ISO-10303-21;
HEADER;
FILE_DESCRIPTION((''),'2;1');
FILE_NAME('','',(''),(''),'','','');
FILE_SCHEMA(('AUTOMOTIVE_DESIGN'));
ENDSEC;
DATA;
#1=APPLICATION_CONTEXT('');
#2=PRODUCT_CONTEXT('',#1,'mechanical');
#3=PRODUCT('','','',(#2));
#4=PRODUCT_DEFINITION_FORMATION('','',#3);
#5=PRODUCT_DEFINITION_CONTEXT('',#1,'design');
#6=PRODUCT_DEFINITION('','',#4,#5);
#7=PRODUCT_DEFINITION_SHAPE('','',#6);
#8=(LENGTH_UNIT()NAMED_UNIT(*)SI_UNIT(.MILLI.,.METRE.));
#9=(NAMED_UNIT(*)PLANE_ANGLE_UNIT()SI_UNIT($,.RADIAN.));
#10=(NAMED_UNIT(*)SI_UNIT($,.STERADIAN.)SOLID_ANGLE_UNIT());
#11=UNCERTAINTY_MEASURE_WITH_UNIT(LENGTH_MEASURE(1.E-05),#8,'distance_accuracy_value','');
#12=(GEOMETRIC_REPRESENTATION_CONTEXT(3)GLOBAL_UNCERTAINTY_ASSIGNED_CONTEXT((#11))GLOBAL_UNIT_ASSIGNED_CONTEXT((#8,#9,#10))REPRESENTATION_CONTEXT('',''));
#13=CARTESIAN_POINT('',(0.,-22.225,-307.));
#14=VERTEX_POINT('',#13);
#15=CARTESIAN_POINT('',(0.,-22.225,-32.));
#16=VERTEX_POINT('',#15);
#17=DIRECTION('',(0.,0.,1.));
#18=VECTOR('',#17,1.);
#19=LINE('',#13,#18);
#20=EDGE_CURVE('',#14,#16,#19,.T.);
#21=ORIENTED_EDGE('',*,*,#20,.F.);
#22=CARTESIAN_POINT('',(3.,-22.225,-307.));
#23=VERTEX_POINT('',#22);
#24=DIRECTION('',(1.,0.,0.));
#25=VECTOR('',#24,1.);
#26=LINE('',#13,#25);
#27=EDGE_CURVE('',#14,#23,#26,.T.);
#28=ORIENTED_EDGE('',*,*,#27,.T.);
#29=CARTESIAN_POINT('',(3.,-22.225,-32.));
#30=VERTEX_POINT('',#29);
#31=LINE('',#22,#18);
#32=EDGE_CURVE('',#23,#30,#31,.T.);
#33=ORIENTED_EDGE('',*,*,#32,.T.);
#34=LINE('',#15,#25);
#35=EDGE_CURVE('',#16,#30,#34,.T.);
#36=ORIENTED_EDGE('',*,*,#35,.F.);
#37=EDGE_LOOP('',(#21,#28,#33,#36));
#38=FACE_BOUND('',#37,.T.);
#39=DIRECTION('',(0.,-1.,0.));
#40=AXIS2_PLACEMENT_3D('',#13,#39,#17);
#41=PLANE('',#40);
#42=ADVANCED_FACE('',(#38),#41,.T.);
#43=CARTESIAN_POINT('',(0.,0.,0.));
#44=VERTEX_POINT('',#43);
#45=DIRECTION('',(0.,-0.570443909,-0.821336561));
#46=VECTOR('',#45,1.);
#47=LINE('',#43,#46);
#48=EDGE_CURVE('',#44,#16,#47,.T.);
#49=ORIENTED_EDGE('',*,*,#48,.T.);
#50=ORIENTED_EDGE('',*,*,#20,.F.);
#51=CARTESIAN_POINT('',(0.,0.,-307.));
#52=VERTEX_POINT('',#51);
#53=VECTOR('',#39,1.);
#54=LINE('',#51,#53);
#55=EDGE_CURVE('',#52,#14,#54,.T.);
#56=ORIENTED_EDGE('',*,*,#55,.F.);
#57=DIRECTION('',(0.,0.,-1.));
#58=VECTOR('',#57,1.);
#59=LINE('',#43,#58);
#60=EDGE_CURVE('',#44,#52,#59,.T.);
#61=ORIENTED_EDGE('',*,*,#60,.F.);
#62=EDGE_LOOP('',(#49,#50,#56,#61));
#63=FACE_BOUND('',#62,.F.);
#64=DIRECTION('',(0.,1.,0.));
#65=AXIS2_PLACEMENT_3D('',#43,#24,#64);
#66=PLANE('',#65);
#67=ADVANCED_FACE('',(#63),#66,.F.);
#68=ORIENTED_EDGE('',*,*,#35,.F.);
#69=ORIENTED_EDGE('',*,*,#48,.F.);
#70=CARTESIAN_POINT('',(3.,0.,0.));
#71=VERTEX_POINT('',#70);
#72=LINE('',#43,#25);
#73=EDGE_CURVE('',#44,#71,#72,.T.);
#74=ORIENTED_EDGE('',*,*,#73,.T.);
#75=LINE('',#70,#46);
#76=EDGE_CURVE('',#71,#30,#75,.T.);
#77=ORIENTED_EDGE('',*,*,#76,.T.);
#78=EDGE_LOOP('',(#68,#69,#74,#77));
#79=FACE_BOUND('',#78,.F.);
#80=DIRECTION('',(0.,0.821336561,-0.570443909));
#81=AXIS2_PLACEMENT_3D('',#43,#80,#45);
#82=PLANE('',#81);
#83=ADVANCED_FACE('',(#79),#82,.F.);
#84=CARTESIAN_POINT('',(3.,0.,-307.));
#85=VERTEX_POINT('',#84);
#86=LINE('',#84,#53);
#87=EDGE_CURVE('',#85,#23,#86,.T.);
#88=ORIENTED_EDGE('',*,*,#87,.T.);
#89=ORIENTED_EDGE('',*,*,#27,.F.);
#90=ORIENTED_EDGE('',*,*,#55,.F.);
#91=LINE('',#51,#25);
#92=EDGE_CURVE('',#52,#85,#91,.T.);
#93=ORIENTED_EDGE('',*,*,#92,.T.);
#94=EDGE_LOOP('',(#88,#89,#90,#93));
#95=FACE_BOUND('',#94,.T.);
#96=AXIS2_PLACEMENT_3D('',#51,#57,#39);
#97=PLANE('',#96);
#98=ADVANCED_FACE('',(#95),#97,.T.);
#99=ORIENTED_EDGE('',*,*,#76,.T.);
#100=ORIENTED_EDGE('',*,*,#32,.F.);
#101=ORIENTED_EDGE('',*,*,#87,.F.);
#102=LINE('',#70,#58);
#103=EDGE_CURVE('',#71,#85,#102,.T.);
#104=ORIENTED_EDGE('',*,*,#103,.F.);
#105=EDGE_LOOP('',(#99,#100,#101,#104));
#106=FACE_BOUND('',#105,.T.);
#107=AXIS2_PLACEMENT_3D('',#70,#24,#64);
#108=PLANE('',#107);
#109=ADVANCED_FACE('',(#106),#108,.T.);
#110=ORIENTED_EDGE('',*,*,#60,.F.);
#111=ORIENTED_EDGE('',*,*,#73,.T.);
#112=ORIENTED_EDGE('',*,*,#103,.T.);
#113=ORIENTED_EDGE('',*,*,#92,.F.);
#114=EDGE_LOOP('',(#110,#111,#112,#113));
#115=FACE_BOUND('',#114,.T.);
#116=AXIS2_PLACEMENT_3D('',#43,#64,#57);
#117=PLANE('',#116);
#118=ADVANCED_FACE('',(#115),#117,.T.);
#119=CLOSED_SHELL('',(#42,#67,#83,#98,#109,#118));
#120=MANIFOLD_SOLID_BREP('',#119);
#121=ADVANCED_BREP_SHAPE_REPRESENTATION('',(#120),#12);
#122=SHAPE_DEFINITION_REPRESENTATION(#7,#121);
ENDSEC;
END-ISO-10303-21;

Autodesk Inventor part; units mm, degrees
ref_plane "YZ Plane" through (0, 0, 0) normal (1, 0, 0) x (0, 1, 0)
ref_plane "XZ Plane" through (0, 0, 0) normal (0, 1, 0) x (-1, 0, 0)
ref_plane "XY Plane" through (0, 0, 0) normal (0, 0, 1) x (1, 0, 0)
sketch "Sketch1" plane through (0, 0, 0) normal (1, 0, 0) x (0, 1, 0)
  line L0 (0, 0) -> (0, -307)
  line L1 (0, -307) -> (-22.225, -307)
  line L2 (-22.225, -307) -> (-22.225, -32)
  line L3 (0, 0) -> (-22.225, -32)
  dimension "d0" = 307
  dimension "d1" = 22.225
  dimension "d2" = 275
extrude "Extrusion1" add sketch "Sketch1" along normal blind 3
properties part number "arm"
